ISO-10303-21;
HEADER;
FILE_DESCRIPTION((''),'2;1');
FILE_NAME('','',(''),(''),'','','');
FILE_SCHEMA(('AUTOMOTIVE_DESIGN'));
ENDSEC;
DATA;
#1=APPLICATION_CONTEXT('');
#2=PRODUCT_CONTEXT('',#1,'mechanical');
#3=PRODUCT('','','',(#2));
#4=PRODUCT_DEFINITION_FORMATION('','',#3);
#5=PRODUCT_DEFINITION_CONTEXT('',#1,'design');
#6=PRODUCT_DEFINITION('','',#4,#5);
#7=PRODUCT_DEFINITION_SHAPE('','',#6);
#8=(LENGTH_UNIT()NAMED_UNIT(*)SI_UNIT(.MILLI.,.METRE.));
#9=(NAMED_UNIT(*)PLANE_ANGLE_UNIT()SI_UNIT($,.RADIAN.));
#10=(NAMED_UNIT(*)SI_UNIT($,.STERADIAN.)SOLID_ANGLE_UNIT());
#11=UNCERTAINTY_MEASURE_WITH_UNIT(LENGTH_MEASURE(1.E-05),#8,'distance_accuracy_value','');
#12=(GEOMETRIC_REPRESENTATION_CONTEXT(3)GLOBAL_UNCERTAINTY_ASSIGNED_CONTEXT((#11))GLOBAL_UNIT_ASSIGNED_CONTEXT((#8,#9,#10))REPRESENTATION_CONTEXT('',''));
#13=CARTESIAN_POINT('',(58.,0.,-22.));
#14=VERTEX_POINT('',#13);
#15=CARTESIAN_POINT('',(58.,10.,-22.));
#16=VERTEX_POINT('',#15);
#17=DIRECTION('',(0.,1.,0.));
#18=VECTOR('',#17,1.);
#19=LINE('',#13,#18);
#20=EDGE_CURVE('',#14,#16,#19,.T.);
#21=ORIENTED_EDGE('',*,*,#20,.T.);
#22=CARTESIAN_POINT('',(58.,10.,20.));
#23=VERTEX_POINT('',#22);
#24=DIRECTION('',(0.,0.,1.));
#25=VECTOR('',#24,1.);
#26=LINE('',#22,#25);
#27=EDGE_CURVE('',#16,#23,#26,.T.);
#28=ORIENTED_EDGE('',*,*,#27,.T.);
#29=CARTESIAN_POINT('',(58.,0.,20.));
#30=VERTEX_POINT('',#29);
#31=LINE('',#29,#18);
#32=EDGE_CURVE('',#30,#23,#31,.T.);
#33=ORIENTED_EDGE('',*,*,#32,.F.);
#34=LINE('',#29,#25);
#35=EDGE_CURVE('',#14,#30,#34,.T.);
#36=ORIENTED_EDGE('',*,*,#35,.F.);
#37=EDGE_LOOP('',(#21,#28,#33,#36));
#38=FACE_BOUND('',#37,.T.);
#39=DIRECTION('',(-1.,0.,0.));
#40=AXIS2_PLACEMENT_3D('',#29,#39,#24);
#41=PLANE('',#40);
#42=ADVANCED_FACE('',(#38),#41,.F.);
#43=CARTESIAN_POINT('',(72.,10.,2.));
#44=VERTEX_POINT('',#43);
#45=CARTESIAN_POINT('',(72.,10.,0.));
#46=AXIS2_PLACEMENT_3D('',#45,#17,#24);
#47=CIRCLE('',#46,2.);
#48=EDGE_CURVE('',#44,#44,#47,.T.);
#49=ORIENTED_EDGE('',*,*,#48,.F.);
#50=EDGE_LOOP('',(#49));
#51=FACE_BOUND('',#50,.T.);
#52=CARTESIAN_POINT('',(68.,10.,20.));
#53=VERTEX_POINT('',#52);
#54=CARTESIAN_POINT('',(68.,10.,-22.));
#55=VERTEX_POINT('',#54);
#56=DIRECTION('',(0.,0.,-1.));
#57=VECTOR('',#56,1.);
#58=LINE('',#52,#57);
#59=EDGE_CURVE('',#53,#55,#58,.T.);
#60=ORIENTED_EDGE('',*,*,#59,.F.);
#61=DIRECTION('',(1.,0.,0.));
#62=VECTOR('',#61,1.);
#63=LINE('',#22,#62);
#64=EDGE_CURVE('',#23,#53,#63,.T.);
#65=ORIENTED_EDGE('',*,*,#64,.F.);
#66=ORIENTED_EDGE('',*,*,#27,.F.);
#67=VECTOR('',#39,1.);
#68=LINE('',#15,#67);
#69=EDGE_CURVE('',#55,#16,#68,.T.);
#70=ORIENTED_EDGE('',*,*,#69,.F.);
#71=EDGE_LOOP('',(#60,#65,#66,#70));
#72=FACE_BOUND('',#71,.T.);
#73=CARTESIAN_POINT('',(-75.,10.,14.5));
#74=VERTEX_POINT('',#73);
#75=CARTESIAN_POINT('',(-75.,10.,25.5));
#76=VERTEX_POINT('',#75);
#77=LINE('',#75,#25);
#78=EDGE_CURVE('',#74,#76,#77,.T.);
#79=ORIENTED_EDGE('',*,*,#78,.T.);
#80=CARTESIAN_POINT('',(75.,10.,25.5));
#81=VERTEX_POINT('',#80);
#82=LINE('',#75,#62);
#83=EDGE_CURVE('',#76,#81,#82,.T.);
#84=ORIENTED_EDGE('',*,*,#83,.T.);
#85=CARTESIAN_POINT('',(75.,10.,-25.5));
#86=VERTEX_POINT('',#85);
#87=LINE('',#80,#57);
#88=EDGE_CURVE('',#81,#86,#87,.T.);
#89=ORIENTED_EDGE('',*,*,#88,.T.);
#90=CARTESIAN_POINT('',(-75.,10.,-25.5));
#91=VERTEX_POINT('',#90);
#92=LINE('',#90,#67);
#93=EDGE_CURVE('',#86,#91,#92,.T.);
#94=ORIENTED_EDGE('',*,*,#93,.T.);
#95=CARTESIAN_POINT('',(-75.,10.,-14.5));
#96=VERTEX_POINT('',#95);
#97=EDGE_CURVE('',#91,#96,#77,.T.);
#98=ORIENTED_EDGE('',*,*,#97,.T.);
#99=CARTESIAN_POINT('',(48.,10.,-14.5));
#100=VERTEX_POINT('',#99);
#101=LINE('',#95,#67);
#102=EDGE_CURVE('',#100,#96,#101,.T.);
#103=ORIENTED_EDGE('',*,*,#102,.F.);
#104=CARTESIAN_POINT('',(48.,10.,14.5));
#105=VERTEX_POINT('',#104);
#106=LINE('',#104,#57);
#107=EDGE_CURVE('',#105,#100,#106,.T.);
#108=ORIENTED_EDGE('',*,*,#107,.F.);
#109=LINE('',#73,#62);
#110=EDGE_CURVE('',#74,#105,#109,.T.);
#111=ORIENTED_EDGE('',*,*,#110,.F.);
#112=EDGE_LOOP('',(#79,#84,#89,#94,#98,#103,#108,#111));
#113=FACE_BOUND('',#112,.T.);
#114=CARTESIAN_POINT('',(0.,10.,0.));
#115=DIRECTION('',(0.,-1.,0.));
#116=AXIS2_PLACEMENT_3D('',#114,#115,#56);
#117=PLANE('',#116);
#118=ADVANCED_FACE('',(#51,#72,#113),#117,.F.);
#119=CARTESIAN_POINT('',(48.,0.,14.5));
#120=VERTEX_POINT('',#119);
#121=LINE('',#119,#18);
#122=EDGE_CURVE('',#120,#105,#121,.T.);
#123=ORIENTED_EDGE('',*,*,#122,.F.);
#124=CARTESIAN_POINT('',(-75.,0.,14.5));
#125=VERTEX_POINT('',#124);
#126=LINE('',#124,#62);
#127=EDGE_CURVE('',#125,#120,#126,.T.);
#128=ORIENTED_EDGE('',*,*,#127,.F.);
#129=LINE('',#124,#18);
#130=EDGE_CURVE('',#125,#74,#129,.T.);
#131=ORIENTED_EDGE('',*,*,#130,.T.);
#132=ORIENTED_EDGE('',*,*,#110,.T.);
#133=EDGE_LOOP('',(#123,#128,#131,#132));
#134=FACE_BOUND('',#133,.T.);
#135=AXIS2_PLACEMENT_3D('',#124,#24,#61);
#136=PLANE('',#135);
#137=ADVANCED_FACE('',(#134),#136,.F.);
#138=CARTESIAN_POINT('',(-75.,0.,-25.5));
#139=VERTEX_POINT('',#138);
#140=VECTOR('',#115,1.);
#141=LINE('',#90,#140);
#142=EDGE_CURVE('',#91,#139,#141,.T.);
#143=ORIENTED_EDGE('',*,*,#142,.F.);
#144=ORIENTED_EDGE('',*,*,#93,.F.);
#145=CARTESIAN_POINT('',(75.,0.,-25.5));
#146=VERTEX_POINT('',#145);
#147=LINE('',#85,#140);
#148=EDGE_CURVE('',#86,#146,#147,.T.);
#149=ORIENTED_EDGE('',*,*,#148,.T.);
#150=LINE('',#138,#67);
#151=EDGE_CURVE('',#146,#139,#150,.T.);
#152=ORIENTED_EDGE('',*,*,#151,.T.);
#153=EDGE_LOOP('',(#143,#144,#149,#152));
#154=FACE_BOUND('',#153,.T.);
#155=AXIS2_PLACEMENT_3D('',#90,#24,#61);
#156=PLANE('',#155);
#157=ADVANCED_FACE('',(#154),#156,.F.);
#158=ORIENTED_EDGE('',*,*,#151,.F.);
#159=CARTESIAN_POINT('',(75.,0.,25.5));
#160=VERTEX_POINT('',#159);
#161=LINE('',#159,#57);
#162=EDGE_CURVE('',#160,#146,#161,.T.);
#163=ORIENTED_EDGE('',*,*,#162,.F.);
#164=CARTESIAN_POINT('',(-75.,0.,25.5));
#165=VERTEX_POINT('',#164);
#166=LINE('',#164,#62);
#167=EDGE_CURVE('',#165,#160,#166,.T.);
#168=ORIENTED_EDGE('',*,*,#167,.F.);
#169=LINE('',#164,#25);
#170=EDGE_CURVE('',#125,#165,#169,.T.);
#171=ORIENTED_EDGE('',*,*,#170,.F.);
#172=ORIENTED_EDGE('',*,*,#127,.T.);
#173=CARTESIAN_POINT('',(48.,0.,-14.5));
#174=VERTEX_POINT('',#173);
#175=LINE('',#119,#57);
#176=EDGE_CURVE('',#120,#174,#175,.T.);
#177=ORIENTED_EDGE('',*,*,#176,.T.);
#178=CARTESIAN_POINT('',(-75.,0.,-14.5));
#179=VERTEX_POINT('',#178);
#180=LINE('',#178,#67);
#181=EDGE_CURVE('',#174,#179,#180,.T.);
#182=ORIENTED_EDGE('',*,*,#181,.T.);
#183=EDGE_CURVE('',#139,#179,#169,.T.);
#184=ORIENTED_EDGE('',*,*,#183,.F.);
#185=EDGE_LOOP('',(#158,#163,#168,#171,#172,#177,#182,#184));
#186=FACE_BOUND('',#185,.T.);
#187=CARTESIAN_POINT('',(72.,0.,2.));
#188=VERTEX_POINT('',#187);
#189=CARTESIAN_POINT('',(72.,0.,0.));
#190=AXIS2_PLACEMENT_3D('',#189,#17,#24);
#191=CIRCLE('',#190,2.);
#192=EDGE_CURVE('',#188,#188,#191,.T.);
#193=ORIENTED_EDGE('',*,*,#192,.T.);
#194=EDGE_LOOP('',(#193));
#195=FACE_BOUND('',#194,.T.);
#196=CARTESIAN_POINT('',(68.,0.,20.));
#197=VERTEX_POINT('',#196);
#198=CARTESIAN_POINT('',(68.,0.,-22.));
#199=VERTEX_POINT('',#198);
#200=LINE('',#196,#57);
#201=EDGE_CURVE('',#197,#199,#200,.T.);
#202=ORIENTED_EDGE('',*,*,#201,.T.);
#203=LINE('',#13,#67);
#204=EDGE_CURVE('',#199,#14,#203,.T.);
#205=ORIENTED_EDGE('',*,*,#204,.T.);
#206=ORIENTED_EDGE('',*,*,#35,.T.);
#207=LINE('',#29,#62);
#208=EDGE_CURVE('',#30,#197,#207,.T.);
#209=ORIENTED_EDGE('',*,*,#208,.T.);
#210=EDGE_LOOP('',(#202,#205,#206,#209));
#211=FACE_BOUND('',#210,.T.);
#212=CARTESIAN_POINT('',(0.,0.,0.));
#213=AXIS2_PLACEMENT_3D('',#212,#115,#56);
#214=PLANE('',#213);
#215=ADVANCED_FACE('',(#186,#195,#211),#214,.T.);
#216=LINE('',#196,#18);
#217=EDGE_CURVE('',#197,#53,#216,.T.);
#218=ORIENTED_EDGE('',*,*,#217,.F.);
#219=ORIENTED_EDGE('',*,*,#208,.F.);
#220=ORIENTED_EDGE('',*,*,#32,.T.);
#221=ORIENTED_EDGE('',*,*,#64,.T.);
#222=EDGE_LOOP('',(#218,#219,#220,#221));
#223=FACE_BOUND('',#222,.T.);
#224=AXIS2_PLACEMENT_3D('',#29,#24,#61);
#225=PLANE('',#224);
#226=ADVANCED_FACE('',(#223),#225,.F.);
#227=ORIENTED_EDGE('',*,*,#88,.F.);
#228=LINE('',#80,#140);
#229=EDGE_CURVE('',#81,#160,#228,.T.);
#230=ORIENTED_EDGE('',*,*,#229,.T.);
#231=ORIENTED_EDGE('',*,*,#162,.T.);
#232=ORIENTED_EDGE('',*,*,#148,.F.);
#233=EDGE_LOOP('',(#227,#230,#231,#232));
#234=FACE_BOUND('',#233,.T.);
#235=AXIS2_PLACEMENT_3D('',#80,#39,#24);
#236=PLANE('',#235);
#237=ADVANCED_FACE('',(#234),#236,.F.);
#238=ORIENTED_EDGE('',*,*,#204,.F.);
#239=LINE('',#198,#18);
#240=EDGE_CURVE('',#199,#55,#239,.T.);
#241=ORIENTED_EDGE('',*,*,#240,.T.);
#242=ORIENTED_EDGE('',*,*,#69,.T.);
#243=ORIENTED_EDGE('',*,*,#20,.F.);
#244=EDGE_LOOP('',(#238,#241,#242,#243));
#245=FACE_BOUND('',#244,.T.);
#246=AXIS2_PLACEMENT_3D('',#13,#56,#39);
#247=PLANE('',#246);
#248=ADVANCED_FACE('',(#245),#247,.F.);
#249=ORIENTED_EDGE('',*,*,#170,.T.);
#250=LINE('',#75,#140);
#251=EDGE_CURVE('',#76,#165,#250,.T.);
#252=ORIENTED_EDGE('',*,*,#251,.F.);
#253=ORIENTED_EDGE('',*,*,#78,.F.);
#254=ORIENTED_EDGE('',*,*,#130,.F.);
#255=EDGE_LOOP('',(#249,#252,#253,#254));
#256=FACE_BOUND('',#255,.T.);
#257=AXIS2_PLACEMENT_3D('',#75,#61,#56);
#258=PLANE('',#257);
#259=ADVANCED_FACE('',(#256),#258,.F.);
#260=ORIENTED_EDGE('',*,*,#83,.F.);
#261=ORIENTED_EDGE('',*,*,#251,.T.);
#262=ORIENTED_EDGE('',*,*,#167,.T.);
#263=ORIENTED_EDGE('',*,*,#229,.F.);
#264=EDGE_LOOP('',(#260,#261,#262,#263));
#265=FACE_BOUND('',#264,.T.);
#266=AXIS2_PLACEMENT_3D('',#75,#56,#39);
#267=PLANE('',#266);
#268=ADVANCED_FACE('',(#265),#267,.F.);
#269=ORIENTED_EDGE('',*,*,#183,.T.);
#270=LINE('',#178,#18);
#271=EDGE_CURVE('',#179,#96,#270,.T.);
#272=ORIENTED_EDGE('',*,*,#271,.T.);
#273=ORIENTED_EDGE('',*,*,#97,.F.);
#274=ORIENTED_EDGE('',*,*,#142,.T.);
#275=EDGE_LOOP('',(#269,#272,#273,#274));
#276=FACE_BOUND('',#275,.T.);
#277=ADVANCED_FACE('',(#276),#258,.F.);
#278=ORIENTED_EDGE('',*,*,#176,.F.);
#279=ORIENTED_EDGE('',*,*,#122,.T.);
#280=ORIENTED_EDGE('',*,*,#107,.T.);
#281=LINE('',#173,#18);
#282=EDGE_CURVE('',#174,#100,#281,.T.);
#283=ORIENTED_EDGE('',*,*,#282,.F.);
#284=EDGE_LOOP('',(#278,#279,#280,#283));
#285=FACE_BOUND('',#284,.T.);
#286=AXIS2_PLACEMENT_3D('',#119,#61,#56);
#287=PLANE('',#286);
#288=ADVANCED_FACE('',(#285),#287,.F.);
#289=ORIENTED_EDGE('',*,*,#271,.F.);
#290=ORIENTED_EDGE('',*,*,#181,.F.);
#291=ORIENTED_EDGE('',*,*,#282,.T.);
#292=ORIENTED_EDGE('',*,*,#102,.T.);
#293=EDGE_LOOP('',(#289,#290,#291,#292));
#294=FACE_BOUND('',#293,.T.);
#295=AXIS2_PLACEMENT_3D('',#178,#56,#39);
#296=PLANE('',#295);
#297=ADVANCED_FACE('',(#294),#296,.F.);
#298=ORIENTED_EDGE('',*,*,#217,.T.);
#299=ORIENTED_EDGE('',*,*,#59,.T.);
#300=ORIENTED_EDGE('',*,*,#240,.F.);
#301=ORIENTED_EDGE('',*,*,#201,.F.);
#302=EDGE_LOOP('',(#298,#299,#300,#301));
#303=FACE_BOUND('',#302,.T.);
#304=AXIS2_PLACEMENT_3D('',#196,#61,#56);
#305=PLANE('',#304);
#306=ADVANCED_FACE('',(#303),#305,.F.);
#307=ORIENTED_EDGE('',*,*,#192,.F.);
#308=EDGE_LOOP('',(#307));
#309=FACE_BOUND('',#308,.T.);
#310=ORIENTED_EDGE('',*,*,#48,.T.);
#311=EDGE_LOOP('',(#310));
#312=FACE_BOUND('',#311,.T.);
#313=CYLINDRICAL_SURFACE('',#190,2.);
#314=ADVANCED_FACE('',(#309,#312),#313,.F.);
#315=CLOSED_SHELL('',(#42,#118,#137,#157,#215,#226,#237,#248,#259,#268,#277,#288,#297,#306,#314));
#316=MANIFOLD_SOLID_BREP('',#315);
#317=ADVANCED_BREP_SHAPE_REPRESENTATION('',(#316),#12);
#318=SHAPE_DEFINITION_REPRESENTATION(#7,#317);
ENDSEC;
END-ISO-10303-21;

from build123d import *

# Parameters (mm, degrees)
SKETCH1_W           = 150
SKETCH1_H           = 51
BOSS_EXTRUDE1_DEPTH = 10
SKETCH2_W           = 10
SKETCH2_H           = 42
CUT_EXTRUDE1_DEPTH  = 80.845162659
SKETCH3_W           = 123
SKETCH3_H           = 29
CUT_EXTRUDE2_DEPTH  = 80.845162659
SKETCH4_R           = 2
CUT_EXTRUDE3_DEPTH  = 80.845162659


with BuildPart() as part:
    # Sketch1 → Boss-Extrude1 (new body)
    with BuildSketch(Plane(origin=(0, 0, 0), x_dir=(1, 0, 0), z_dir=(0, 1, 0))):
        Rectangle(SKETCH1_W, SKETCH1_H)
    extrude(amount=BOSS_EXTRUDE1_DEPTH)

    # Sketch2 → Cut-Extrude1 (cut, through all)
    with BuildSketch(Plane(origin=(0, 10, 0), x_dir=(1, 0, 0), z_dir=(0, 1, 0))):
        with Locations((63, 1)):
            Rectangle(SKETCH2_W, SKETCH2_H)
    extrude(amount=-CUT_EXTRUDE1_DEPTH, mode=Mode.SUBTRACT)

    # Sketch3 → Cut-Extrude2 (cut, through all)
    with BuildSketch(Plane(origin=(0, 10, 0), x_dir=(1, 0, 0), z_dir=(0, 1, 0))):
        with Locations((-13.5, 0)):
            Rectangle(SKETCH3_W, SKETCH3_H)
    extrude(amount=-CUT_EXTRUDE2_DEPTH, mode=Mode.SUBTRACT)

    # Sketch4 → Cut-Extrude3 (cut, through all)
    with BuildSketch(Plane(origin=(0, 10, 0), x_dir=(1, 0, 0), z_dir=(0, 1, 0))):
        with Locations(Location((72, 0, 0), (0, 0, 270))):
            Circle(SKETCH4_R)
    extrude(amount=-CUT_EXTRUDE3_DEPTH, mode=Mode.SUBTRACT)


solid = part.part
